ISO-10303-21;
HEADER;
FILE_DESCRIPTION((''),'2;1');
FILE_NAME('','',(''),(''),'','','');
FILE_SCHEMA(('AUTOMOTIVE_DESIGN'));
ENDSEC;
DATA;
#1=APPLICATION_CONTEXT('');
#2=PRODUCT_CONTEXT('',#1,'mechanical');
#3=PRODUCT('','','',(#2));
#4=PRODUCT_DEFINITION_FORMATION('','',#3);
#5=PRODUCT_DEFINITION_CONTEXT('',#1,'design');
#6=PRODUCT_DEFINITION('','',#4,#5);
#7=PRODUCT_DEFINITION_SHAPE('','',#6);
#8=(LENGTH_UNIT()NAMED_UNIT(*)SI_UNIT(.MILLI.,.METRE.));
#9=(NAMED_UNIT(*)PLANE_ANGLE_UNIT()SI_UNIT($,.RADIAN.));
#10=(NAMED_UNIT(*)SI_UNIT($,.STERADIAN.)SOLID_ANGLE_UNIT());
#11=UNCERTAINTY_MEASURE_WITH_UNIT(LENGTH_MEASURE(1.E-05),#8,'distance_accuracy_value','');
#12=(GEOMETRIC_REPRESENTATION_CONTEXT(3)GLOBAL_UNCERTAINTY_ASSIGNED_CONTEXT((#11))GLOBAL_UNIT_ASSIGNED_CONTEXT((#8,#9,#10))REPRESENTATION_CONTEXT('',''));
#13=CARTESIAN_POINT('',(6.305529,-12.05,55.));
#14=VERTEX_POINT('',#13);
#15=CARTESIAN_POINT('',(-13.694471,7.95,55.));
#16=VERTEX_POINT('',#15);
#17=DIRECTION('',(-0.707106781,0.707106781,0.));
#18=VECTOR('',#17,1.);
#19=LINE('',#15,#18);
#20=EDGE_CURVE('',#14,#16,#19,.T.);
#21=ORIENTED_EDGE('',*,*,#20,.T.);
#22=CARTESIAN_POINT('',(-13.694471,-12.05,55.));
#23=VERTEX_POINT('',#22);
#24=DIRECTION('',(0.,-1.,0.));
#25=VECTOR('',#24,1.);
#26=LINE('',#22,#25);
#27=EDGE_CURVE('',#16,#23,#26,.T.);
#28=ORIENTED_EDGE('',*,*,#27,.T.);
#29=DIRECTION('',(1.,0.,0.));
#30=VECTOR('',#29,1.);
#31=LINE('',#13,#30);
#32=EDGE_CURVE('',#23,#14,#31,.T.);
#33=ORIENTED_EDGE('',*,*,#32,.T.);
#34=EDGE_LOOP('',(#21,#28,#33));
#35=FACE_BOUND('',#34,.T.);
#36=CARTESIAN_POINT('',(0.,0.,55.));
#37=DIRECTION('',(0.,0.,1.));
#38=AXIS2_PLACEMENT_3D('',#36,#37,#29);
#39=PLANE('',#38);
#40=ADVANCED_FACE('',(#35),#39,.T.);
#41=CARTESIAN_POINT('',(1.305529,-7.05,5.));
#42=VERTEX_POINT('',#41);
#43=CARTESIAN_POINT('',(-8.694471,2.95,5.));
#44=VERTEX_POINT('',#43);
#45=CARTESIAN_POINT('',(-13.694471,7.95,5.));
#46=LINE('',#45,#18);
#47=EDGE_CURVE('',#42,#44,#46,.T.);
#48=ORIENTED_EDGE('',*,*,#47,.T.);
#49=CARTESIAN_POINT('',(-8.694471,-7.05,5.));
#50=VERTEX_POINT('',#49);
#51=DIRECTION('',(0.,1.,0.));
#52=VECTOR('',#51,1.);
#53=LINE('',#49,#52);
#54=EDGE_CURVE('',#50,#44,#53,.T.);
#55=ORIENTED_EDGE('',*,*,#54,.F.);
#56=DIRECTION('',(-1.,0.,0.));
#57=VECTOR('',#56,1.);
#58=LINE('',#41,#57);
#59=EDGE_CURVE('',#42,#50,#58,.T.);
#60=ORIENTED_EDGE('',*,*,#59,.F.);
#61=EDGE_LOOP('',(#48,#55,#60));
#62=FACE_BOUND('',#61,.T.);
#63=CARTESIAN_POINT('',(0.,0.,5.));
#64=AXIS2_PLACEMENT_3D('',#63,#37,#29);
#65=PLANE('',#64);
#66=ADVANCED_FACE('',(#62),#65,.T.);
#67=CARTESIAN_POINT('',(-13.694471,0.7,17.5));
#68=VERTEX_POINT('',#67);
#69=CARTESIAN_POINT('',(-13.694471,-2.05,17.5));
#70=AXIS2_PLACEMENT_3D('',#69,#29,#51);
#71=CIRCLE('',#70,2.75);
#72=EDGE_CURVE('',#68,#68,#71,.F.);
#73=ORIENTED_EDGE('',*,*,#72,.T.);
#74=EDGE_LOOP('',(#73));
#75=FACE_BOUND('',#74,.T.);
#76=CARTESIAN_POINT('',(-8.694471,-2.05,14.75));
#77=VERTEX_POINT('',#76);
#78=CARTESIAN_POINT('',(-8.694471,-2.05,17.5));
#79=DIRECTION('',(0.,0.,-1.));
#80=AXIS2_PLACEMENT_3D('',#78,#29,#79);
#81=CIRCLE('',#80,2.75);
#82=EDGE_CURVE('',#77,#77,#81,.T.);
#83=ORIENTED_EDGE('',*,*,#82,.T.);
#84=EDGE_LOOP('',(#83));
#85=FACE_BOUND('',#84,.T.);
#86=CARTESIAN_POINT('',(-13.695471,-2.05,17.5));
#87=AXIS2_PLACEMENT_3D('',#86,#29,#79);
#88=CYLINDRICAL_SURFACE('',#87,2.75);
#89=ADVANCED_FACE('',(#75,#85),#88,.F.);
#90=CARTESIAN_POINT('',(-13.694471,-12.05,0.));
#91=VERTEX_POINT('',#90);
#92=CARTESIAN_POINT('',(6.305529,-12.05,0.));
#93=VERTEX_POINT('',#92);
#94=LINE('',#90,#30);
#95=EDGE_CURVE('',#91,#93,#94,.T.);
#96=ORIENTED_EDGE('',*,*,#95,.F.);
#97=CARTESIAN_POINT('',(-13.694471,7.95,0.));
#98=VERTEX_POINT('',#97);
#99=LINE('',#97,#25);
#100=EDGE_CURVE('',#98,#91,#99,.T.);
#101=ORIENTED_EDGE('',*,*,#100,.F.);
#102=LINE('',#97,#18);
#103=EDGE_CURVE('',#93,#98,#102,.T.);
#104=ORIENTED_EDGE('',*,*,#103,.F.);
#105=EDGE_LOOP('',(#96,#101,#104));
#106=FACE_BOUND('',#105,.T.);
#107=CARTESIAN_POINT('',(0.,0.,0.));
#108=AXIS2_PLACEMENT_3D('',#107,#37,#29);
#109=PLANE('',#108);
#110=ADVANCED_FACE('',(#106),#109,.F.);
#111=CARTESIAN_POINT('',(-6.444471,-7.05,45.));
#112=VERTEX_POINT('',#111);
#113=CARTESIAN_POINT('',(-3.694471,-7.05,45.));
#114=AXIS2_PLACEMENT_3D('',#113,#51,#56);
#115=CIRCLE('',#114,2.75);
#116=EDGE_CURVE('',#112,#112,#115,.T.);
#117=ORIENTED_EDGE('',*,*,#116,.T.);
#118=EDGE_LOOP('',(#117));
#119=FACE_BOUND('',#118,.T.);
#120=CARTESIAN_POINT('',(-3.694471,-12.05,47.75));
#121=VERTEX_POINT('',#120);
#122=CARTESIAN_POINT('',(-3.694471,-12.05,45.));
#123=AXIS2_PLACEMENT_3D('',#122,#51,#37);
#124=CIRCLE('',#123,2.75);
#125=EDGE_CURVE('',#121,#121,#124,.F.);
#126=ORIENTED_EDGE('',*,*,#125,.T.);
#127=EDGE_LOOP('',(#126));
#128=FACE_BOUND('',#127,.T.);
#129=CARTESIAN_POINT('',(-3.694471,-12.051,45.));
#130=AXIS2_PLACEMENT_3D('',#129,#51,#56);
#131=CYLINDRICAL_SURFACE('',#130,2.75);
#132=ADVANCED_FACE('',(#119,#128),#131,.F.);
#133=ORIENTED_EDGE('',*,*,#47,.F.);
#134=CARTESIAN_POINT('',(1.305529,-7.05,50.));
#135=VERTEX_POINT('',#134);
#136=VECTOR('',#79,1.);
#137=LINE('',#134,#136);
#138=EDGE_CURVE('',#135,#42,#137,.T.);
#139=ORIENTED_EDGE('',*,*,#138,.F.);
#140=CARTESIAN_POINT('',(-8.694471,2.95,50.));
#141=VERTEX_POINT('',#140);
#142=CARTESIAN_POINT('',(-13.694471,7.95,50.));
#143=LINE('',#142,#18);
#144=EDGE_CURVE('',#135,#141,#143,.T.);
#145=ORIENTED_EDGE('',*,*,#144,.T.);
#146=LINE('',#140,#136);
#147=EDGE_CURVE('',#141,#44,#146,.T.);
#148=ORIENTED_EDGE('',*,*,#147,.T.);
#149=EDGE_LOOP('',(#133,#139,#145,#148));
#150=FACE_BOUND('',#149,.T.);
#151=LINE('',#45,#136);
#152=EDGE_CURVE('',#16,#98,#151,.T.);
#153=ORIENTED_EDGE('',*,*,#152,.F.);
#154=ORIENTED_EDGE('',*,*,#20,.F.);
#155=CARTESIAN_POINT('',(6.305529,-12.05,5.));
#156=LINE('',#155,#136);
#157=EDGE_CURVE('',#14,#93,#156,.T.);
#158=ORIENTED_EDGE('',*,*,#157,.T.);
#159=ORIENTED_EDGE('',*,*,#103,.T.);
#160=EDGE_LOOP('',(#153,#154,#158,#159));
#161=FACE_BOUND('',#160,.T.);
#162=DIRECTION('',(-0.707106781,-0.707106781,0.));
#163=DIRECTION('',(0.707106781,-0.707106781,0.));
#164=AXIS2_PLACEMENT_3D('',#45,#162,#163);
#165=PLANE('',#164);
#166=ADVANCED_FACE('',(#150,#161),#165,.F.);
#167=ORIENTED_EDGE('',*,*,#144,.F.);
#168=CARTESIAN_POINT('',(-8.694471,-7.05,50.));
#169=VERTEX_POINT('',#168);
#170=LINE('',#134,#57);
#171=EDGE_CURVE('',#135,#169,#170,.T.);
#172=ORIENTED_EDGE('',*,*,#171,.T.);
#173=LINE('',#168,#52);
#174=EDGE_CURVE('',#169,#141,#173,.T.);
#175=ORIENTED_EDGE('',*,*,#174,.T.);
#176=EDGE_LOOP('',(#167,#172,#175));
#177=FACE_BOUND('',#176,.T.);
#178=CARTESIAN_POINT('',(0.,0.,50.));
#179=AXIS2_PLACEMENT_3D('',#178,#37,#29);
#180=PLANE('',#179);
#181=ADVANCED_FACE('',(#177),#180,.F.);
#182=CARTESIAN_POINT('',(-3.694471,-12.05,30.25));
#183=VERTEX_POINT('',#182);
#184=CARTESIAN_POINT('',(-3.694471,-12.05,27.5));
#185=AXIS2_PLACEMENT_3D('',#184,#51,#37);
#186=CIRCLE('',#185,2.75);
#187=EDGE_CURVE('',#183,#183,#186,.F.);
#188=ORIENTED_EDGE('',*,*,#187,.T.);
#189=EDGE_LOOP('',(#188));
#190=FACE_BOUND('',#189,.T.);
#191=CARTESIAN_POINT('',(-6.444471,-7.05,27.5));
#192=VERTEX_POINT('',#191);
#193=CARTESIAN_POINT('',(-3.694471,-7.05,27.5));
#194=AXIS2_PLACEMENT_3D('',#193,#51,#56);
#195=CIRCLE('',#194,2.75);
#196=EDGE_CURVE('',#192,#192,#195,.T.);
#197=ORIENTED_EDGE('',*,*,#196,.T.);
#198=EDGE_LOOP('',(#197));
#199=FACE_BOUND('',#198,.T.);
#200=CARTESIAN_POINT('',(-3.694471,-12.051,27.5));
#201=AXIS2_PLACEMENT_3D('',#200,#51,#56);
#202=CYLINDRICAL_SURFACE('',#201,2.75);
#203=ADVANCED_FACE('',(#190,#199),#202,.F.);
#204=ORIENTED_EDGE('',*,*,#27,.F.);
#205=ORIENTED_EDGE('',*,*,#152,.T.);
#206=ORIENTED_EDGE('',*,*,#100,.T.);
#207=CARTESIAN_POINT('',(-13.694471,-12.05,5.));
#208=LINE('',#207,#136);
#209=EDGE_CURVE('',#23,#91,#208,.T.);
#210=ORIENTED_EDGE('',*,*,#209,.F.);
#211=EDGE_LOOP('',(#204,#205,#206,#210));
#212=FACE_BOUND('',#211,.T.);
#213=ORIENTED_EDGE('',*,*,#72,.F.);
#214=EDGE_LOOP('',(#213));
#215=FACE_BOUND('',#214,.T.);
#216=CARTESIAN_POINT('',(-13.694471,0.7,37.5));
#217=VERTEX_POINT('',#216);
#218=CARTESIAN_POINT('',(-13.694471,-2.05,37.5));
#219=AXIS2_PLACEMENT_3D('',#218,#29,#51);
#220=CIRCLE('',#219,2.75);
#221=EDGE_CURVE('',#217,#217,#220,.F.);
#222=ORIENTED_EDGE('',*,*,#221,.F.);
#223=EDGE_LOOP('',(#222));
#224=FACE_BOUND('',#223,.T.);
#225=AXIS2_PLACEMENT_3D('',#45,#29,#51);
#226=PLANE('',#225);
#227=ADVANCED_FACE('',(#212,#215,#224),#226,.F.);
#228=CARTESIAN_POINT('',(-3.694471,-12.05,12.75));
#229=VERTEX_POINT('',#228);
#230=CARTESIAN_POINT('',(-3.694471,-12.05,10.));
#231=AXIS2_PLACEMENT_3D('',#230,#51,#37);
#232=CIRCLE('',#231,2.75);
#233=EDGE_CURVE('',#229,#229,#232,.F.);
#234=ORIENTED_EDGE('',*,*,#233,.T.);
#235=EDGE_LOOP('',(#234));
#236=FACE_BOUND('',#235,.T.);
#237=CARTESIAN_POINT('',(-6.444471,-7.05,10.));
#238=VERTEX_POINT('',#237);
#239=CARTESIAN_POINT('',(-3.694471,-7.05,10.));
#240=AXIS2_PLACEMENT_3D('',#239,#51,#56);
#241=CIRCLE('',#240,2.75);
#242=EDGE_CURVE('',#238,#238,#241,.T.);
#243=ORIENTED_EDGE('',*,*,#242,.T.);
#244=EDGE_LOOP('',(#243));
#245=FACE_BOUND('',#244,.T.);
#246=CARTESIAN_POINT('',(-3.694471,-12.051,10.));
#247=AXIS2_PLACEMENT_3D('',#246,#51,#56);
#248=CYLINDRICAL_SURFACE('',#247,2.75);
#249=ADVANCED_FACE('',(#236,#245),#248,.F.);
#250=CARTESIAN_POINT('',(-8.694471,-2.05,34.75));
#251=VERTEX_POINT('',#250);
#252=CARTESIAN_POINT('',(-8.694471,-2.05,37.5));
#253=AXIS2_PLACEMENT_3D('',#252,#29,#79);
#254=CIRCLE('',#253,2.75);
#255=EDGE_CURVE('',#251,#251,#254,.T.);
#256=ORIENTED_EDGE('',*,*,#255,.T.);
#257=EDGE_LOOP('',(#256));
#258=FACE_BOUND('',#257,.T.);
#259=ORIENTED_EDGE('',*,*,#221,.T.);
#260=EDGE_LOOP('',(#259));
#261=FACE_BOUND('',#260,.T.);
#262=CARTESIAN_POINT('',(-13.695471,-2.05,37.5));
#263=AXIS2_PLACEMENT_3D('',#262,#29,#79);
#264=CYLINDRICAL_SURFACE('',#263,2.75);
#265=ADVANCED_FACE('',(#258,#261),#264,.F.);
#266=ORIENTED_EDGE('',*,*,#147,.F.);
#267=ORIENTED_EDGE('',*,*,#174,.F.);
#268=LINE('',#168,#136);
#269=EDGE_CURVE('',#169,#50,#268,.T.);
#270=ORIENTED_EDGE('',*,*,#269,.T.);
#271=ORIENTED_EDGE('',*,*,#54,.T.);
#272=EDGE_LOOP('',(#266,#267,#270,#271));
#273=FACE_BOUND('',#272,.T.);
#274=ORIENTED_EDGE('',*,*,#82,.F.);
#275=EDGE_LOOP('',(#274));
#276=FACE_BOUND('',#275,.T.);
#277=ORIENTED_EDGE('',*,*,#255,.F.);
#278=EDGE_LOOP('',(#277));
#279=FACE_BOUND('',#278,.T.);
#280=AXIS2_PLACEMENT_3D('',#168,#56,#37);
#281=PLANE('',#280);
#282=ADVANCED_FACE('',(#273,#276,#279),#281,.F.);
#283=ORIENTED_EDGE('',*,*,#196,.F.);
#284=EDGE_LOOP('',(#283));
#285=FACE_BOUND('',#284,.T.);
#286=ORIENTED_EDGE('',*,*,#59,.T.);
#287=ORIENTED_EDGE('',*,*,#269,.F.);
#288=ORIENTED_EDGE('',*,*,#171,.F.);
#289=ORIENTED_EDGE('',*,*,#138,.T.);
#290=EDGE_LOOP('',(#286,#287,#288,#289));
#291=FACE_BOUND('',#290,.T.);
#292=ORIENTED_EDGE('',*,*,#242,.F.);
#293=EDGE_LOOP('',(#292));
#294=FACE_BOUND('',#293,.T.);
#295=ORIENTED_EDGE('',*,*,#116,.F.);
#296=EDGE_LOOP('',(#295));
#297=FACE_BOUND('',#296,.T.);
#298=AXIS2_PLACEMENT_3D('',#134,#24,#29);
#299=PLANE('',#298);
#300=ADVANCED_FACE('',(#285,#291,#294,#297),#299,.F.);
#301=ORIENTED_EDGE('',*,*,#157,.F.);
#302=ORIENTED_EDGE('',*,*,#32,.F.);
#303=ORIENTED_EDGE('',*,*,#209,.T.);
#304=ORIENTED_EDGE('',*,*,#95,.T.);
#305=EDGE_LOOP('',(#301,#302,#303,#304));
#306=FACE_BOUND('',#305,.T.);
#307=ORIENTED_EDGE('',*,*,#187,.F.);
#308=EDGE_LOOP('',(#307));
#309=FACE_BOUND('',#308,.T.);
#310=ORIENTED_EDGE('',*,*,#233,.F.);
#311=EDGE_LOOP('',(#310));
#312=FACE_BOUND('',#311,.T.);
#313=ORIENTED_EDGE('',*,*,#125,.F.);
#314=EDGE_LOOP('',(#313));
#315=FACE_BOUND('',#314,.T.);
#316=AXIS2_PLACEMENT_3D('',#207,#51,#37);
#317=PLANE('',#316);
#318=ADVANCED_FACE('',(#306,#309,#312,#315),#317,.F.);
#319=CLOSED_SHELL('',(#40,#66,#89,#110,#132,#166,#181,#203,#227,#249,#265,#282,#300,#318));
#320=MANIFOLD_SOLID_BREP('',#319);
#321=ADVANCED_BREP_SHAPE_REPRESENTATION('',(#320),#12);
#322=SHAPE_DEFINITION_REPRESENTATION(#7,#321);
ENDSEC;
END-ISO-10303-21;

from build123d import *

# Parameters (mm, degrees)
BOSS_EXTRU_1_DEPTH      = 5
BOSS_EXTRU_2_DEPTH      = 45
BOSS_EXTRU_3_DEPTH      = 5
ENL_V_MAT_EXTRU_1_REACH = 60.268
ESQUISSE4_R             = 2.75
ENL_V_MAT_EXTRU_2_REACH = 60.631
ESQUISSE5_R             = 2.75


with BuildPart() as part:
    # Esquisse1 → Boss.-Extru.1 (new body)
    with BuildSketch(Plane.XY):
        Polygon((-13.694471154, 7.95), (6.305528846, -12.05), (-13.694471154, -12.05), align=None)
    extrude(amount=BOSS_EXTRU_1_DEPTH)

    # Esquisse2 → Boss.-Extru.2 (add)
    with BuildSketch(Plane.XY.offset(5)):
        Polygon((-13.694471154, -12.05), (6.305528846, -12.05), (1.305528846, -7.05), (-8.694471154, -7.05), (-8.694471154, 2.95), (-13.694471154, 7.95), align=None)
    extrude(amount=BOSS_EXTRU_2_DEPTH)

    # Esquisse3 → Boss.-Extru.3 (add)
    with BuildSketch(Plane.XY.offset(50)):
        Polygon((-13.694471154, 7.95), (6.305528846, -12.05), (-13.694471154, -12.05), align=None)
    extrude(amount=BOSS_EXTRU_3_DEPTH)

    # Esquisse4 → Enlèv. mat.-Extru.1 (cut, up to next)
    with BuildSketch(Plane(origin=(-8.694471154, 0, 0), x_dir=(0, 0, -1), z_dir=(1, 0, 0)), mode=Mode.PRIVATE) as enl_v_mat_extru_1_sk1:
        with Locations((-17.5, -2.05)):
            Circle(ESQUISSE4_R)
    enl_v_mat_extru_1_tool1 = extrude(enl_v_mat_extru_1_sk1.sketch, amount=-ENL_V_MAT_EXTRU_1_REACH, mode=Mode.PRIVATE) & part.part
    # Esquisse4 → Enlèv. mat.-Extru.1 (cut, up to next)
    with BuildSketch(Plane(origin=(-8.694471154, 0, 0), x_dir=(0, 0, -1), z_dir=(1, 0, 0)), mode=Mode.PRIVATE) as enl_v_mat_extru_1_sk2:
        with Locations((-37.5, -2.05)):
            Circle(ESQUISSE4_R)
    enl_v_mat_extru_1_tool2 = extrude(enl_v_mat_extru_1_sk2.sketch, amount=-ENL_V_MAT_EXTRU_1_REACH, mode=Mode.PRIVATE) & part.part
    add(enl_v_mat_extru_1_tool1.solids().sort_by_distance((-8.694471, -2.05, 17.5))[0], mode=Mode.SUBTRACT)
    add(enl_v_mat_extru_1_tool2.solids().sort_by_distance((-8.694471, -2.05, 37.5))[0], mode=Mode.SUBTRACT)

    # Esquisse5 → Enlèv. mat.-Extru.2 (cut, up to next)
    with BuildSketch(Plane(origin=(0, -7.05, 0), x_dir=(1, 0, 0), z_dir=(0, 1, 0)), mode=Mode.PRIVATE) as enl_v_mat_extru_2_sk1:
        with Locations(Location((-3.694471154, -45, 0), (0, 0, 180))):
            Circle(ESQUISSE5_R)
    enl_v_mat_extru_2_tool1 = extrude(enl_v_mat_extru_2_sk1.sketch, amount=-ENL_V_MAT_EXTRU_2_REACH, mode=Mode.PRIVATE) & part.part
    # Esquisse5 → Enlèv. mat.-Extru.2 (cut, up to next)
    with BuildSketch(Plane(origin=(0, -7.05, 0), x_dir=(1, 0, 0), z_dir=(0, 1, 0)), mode=Mode.PRIVATE) as enl_v_mat_extru_2_sk2:
        with Locations(Location((-3.694471154, -27.5, 0), (0, 0, 180))):
            Circle(ESQUISSE5_R)
    enl_v_mat_extru_2_tool2 = extrude(enl_v_mat_extru_2_sk2.sketch, amount=-ENL_V_MAT_EXTRU_2_REACH, mode=Mode.PRIVATE) & part.part
    # Esquisse5 → Enlèv. mat.-Extru.2 (cut, up to next)
    with BuildSketch(Plane(origin=(0, -7.05, 0), x_dir=(1, 0, 0), z_dir=(0, 1, 0)), mode=Mode.PRIVATE) as enl_v_mat_extru_2_sk3:
        with Locations(Location((-3.694471154, -10, 0), (0, 0, 180))):
            Circle(ESQUISSE5_R)
    enl_v_mat_extru_2_tool3 = extrude(enl_v_mat_extru_2_sk3.sketch, amount=-ENL_V_MAT_EXTRU_2_REACH, mode=Mode.PRIVATE) & part.part
    add(enl_v_mat_extru_2_tool1.solids().sort_by_distance((-3.694471, -7.05, 45))[0], mode=Mode.SUBTRACT)
    add(enl_v_mat_extru_2_tool2.solids().sort_by_distance((-3.694471, -7.05, 27.5))[0], mode=Mode.SUBTRACT)
    add(enl_v_mat_extru_2_tool3.solids().sort_by_distance((-3.694471, -7.05, 10))[0], mode=Mode.SUBTRACT)


solid = part.part
